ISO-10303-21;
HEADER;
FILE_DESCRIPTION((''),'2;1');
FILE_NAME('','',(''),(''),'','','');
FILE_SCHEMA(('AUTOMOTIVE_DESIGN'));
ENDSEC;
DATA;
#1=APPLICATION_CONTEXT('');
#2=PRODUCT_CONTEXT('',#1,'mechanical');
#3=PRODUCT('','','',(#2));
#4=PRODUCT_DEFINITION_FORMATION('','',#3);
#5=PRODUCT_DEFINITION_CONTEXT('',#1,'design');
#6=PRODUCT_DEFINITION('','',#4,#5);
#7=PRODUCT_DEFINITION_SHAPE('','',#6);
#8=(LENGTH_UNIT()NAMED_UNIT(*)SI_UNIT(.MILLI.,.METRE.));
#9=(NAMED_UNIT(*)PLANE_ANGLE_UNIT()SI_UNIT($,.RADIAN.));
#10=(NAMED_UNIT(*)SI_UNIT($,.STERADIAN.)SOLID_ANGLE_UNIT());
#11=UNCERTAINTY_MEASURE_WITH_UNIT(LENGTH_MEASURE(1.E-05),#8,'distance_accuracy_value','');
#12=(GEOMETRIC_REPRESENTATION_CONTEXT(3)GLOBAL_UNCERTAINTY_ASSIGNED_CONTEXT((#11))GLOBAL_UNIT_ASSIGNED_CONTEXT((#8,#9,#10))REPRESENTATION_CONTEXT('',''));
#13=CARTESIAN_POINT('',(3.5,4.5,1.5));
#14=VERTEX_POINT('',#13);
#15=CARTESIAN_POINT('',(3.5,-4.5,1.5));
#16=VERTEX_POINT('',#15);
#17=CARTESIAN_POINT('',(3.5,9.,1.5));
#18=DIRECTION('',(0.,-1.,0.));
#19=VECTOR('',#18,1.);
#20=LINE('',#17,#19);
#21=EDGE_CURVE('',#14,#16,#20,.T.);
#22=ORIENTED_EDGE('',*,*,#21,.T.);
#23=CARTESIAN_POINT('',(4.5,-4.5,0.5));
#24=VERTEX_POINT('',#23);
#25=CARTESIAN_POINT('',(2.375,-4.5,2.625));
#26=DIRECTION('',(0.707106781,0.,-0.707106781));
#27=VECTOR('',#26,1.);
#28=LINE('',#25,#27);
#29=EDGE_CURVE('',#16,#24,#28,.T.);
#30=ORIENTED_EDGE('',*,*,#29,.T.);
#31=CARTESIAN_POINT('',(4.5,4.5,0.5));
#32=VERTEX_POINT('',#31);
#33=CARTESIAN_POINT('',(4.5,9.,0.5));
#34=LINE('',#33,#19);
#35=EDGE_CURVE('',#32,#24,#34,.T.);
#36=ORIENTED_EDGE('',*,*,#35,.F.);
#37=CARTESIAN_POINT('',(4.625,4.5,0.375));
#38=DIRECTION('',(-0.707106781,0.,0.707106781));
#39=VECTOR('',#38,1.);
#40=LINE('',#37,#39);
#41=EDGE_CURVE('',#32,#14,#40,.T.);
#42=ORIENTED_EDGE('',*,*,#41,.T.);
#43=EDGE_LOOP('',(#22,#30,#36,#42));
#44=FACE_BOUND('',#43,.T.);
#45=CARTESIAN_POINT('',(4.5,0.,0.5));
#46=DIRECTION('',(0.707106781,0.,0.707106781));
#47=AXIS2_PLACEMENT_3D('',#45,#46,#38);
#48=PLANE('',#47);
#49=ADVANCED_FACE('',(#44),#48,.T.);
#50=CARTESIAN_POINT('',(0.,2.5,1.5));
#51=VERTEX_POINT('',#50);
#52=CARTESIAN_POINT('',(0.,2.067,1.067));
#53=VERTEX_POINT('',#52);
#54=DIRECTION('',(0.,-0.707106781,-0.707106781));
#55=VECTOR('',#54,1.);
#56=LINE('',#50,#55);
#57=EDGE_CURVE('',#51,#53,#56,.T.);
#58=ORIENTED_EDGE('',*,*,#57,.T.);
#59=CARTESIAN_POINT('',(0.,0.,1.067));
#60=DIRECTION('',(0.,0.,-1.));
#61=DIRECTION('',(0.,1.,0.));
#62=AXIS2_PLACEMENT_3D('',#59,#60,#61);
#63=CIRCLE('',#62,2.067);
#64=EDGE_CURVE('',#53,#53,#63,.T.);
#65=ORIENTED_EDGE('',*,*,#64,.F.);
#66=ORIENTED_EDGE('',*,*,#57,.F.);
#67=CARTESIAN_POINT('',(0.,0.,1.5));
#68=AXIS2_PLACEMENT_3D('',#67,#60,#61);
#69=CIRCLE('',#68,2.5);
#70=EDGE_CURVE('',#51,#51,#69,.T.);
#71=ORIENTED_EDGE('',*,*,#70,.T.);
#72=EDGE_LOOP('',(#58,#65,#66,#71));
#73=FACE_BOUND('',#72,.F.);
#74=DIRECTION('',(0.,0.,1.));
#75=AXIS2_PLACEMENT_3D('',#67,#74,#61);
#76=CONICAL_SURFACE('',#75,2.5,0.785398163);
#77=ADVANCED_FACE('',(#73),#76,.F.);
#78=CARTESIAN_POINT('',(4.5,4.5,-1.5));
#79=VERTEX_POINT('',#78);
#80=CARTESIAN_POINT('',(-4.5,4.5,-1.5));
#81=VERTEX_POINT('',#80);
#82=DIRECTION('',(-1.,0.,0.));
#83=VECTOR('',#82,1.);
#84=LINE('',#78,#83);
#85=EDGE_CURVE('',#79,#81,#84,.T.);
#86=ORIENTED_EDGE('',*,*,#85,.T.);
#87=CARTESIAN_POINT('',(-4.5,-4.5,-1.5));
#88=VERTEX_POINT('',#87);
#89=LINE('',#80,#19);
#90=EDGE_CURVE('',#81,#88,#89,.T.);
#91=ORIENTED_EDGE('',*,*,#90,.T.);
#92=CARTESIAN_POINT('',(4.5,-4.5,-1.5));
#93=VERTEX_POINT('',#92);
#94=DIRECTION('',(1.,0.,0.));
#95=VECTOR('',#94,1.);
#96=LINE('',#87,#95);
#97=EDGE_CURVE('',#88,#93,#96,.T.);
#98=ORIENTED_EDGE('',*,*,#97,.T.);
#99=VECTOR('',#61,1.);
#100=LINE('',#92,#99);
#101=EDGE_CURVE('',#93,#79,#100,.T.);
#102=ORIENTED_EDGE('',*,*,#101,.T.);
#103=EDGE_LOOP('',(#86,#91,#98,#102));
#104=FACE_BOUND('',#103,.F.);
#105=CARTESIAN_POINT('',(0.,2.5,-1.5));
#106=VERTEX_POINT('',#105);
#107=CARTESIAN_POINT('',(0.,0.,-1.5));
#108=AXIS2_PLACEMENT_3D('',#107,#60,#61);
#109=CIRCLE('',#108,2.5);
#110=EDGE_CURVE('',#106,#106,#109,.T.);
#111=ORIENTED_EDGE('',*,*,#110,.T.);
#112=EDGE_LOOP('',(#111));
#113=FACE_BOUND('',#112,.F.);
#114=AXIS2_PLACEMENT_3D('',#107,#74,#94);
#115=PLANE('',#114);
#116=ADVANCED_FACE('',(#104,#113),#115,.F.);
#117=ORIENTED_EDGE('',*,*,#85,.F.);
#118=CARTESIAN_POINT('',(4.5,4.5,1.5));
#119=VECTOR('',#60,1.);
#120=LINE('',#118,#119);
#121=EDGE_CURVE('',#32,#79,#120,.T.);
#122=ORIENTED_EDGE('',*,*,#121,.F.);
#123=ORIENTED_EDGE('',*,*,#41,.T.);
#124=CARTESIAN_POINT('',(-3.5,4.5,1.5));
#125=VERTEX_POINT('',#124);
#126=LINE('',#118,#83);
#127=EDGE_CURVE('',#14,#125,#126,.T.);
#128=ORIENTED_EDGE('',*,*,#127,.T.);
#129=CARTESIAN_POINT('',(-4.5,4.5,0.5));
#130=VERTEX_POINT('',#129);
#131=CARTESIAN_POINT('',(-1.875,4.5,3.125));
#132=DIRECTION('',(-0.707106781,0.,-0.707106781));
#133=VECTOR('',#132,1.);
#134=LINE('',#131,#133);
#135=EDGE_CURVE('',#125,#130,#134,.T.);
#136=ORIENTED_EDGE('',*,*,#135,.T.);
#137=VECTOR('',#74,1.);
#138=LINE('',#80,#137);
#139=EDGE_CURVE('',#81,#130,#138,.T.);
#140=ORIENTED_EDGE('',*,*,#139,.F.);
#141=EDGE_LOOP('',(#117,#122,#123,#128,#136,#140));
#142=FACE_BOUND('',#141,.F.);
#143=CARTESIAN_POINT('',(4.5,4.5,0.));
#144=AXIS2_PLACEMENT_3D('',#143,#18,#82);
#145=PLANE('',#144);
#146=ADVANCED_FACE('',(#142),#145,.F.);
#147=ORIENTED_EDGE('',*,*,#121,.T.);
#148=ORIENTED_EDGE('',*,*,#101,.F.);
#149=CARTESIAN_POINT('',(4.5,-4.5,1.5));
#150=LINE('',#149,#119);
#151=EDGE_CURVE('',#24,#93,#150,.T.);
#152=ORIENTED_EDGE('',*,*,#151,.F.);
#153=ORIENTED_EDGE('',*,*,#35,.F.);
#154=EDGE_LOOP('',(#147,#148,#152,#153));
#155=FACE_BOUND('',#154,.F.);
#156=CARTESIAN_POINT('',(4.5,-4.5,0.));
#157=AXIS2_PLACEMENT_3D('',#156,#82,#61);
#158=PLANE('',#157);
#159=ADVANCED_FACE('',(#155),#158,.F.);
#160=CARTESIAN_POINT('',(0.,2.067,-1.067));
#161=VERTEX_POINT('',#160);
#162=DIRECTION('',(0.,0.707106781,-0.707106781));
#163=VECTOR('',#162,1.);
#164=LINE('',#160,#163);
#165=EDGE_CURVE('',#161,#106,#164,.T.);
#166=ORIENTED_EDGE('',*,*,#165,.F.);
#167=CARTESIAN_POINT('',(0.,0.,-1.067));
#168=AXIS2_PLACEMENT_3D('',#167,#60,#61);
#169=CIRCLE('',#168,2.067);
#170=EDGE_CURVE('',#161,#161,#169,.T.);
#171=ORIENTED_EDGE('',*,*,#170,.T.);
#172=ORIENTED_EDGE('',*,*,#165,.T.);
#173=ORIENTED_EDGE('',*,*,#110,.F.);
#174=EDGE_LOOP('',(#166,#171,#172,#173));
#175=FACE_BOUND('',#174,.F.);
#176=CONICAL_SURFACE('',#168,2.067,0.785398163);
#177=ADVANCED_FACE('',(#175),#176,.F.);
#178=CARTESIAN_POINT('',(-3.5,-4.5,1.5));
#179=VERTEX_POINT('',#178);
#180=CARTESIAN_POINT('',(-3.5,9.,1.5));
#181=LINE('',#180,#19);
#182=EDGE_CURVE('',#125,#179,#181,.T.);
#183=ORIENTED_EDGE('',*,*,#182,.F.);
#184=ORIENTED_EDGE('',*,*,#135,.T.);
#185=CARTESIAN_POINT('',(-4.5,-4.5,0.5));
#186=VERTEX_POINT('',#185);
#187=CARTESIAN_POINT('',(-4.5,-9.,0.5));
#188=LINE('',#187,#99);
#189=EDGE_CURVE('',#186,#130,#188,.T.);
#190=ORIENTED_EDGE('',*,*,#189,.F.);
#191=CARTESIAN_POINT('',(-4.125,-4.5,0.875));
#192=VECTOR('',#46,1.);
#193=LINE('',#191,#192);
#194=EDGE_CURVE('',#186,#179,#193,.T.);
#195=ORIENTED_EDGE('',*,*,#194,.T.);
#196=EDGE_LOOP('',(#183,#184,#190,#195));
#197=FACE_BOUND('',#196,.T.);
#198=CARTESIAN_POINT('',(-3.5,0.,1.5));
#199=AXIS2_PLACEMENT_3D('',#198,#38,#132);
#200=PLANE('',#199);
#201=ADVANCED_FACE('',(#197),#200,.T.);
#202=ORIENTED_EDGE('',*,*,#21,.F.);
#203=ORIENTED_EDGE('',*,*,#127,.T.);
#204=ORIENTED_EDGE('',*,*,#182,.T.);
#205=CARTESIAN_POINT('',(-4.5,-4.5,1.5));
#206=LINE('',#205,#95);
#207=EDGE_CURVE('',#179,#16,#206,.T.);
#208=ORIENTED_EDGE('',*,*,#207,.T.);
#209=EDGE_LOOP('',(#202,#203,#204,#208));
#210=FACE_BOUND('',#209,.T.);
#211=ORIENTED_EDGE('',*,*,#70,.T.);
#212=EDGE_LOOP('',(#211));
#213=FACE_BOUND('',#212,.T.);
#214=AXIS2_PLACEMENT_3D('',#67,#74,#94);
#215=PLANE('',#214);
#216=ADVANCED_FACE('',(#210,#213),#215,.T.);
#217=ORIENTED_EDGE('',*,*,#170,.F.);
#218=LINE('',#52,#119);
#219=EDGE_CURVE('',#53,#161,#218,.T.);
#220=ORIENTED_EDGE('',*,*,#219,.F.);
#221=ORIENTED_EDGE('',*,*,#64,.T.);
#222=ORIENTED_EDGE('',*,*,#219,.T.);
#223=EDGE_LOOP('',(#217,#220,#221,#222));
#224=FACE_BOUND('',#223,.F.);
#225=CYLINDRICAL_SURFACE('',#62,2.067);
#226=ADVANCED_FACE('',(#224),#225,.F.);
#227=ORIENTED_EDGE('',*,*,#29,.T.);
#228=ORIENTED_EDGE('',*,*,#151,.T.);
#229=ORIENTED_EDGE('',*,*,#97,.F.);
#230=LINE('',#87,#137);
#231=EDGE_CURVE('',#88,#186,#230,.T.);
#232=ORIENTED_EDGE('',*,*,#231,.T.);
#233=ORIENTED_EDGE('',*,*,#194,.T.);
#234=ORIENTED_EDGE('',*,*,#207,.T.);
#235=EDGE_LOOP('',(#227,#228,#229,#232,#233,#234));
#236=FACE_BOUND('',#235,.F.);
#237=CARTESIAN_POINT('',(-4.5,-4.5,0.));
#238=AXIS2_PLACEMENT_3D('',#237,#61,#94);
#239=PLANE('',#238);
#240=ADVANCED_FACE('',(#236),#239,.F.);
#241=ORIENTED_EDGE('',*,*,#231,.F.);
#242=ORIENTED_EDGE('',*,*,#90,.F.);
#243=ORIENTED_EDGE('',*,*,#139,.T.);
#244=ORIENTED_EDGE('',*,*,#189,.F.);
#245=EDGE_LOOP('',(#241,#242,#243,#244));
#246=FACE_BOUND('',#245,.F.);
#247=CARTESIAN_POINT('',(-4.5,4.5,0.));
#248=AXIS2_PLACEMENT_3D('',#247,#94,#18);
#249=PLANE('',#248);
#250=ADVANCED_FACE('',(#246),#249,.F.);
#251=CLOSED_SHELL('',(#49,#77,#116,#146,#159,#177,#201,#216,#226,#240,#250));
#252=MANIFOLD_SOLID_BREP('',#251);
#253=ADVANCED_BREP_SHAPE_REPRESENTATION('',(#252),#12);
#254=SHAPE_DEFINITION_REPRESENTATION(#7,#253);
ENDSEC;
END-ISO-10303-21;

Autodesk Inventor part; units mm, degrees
ref_plane "YZ Plane" through (0, 0, 0) normal (1, 0, 0) x (0, 1, 0)
ref_plane "XZ Plane" through (0, 0, 0) normal (0, 1, 0) x (-1, 0, 0)
sketch "Sketch_1" plane through (0, 0, 0) normal (0, 0, 1) x (1, 0, 0)
  line L0 (-4.5, 4.5) -> (-4.5, -4.5)
  line L1 (-4.5, -4.5) -> (4.5, -4.5)
  line L2 (4.5, -4.5) -> (4.5, 4.5)
  line L3 (4.5, 4.5) -> (-4.5, 4.5)
extrude "Extrusion1" add sketch "Sketch_1" along normal mid plane 3
sketch "Sketch_2" plane through (0, 0, 0) normal (1, 0, 0) x (0, 1, 0)
  line L0 (0, -1.5) -> (0, 1.5)
  line L1 (0, 1.5) -> (2.5, 1.5)
  line L2 (2.5, 1.5) -> (2.067, 1.067)
  line L3 (2.067, 1.067) -> (2.067, -1.067)
  line L4 (2.067, -1.067) -> (2.5, -1.5)
  line L5 (2.5, -1.5) -> (0, -1.5)
  line L6 (0, -1.5) -> (0, 1.5)
revolve "Revolution1" cut sketch "Sketch_2" angle 360 about axis through (0, 0, -1.5) along (0, 0, -1)
thread "Thread1" size "M5x0.8" class "6H" standard "ISO Metric profile" full length
sketch "Sketch_3" plane through (0, 0, 0) normal (0, 1, 0) x (-1, 0, 0)
  line L0 (4.5, 0.5) -> (4.5, 2.5)
  line L1 (4.5, 2.5) -> (-4.5, 2.5)
  line L2 (-4.5, 2.5) -> (-4.5, 0.5)
  line L3 (-4.5, 0.5) -> (-3.5, 1.5)
  line L4 (-3.5, 1.5) -> (3.5, 1.5)
  line L5 (3.5, 1.5) -> (4.5, 0.5)
extrude "Extrusion2" cut sketch "Sketch_3" along normal mid plane 18
ref_plane "Work Plane1" through (-4.5, 0, -1.5) normal (0, 1, 0) x (1, 0, 0)
properties part number "T-Nut Block M5  Threads"
